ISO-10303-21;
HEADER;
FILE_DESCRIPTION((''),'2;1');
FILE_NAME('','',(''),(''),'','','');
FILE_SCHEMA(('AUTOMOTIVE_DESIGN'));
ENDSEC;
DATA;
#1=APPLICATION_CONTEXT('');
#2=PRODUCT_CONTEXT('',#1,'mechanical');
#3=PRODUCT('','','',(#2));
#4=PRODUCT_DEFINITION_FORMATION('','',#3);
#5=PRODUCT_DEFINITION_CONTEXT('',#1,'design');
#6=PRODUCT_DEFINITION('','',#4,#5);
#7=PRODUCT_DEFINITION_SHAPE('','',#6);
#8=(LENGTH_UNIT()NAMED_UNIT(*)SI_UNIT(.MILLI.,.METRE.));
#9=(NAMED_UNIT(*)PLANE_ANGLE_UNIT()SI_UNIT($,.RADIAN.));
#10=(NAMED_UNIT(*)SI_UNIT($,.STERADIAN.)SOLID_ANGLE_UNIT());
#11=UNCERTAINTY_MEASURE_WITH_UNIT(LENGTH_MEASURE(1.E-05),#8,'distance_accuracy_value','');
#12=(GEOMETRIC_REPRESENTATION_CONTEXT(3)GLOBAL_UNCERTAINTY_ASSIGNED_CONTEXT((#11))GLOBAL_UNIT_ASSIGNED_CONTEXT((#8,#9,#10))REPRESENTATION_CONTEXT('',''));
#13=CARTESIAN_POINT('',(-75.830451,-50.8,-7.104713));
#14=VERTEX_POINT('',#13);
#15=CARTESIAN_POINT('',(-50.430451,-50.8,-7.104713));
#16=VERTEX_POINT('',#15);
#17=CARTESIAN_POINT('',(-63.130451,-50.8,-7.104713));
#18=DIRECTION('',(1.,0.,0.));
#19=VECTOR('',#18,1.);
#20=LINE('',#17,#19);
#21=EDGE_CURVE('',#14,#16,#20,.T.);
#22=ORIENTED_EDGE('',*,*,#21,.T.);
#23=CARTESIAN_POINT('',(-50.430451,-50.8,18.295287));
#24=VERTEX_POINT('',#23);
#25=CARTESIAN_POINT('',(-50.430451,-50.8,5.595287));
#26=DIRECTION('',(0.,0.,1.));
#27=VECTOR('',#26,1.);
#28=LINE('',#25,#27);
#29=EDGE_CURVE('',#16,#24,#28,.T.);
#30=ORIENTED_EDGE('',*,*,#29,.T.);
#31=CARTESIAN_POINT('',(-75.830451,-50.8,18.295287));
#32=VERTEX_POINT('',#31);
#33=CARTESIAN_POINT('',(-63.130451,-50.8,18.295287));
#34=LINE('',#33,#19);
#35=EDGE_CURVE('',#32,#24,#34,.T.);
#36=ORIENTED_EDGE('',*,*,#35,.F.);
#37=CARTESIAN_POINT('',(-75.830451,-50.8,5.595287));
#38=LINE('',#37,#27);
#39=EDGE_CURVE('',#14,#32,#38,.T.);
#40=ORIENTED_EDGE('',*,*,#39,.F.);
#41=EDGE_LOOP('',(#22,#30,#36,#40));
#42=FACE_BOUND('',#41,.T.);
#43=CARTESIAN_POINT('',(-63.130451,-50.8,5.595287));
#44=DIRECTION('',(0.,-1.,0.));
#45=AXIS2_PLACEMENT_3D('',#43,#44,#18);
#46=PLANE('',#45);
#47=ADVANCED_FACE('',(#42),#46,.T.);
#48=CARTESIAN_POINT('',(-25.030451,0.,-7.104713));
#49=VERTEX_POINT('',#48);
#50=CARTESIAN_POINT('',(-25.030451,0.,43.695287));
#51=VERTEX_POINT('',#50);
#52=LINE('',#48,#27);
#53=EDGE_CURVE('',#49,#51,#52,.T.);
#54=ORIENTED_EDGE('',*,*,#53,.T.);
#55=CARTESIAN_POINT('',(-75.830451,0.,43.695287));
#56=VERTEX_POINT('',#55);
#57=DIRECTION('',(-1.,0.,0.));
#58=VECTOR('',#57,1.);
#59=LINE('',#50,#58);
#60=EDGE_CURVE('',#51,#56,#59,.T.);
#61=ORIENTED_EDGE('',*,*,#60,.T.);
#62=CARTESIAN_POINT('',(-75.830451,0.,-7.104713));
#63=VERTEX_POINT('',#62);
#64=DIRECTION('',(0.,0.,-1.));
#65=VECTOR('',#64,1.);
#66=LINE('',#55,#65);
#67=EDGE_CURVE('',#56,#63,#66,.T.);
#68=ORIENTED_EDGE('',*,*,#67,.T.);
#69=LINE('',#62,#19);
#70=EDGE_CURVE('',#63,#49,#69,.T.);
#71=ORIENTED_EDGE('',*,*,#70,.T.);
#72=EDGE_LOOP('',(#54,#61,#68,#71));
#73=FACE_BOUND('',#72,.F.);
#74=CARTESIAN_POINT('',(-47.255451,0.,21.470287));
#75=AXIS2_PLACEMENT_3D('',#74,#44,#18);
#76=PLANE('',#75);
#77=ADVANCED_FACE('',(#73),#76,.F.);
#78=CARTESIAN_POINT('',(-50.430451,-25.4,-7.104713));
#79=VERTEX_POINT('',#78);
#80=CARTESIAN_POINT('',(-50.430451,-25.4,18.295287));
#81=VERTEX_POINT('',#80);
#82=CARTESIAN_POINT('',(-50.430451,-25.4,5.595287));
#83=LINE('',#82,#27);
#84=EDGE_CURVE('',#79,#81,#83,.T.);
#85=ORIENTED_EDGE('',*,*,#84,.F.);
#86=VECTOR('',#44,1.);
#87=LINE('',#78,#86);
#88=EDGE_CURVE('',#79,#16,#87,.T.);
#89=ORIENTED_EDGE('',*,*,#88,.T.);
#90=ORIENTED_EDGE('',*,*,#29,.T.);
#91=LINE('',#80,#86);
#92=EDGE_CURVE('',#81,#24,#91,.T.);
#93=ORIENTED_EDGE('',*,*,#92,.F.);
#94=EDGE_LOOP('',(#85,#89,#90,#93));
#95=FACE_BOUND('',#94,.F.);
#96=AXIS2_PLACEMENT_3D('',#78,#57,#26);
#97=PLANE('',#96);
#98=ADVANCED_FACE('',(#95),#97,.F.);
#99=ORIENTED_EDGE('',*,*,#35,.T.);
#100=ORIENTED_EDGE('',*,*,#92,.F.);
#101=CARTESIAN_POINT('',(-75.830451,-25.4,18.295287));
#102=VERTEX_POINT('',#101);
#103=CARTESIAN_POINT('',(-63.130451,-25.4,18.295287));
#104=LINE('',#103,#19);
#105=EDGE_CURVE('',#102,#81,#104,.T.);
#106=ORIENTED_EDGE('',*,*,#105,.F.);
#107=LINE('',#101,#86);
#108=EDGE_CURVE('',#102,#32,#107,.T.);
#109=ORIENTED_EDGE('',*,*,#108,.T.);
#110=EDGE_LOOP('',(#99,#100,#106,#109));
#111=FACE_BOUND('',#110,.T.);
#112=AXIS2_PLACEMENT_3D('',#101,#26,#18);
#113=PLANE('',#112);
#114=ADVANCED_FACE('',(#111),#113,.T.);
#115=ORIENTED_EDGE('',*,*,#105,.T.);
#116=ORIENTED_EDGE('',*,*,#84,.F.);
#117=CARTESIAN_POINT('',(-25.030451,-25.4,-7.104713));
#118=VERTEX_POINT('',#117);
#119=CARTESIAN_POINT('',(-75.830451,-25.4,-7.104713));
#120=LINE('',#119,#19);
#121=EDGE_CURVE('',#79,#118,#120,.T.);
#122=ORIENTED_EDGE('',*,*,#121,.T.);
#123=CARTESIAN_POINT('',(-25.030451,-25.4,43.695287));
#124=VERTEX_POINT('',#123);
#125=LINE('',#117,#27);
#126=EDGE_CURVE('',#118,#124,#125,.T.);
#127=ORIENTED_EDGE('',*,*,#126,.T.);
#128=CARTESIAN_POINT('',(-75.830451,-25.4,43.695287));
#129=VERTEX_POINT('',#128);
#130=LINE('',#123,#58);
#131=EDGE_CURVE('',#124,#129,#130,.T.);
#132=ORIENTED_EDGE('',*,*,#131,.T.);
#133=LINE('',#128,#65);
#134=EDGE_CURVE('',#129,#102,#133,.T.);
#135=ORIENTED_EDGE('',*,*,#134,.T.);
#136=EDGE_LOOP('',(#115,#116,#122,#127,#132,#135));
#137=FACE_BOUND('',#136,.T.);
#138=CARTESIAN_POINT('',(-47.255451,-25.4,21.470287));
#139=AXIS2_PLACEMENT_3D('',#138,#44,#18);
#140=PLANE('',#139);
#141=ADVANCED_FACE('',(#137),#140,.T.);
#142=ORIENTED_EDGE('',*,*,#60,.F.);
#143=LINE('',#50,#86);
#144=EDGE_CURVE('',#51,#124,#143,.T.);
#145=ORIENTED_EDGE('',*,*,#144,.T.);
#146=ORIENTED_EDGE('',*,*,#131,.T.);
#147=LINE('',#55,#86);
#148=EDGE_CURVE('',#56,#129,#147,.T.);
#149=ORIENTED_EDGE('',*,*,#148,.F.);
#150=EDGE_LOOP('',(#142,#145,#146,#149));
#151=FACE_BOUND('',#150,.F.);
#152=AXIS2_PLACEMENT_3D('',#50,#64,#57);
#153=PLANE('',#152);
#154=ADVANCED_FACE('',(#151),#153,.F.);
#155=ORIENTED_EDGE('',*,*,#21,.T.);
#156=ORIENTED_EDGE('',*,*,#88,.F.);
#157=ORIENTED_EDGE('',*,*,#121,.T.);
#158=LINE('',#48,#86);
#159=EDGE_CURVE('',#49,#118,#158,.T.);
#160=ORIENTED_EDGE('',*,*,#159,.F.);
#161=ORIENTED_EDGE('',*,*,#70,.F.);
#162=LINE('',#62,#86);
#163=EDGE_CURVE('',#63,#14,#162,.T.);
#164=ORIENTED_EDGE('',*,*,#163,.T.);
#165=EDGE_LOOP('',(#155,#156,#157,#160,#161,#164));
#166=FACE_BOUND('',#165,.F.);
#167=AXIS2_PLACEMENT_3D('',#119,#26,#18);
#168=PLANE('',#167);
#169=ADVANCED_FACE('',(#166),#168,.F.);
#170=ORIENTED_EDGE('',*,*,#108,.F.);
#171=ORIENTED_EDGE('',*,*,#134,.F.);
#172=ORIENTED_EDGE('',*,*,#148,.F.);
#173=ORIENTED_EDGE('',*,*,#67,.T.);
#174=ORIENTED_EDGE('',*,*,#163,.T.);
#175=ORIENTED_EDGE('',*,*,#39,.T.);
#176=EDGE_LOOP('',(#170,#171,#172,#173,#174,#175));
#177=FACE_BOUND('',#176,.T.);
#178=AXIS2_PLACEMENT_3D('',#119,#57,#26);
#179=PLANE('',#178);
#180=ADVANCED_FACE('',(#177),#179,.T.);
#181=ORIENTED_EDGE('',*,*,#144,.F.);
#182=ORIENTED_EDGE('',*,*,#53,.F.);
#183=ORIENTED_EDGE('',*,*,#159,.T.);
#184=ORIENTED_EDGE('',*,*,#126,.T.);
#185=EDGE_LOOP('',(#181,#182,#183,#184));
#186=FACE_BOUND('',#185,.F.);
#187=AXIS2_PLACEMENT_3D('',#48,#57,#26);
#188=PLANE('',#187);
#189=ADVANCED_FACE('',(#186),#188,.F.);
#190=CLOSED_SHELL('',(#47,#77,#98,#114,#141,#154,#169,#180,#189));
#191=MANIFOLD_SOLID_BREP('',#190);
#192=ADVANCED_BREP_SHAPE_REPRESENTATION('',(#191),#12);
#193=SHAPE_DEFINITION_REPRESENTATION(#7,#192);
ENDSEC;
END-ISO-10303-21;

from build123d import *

# Parameters (mm, degrees)
F0_W     = 25.4
F0_H     = 25.4
F1_DEPTH = 25.4
F2_W     = 25.4
F2_H     = 25.4
F3_DEPTH = 25.4


with BuildPart() as f1:
    # F0 (on Front) → F1 (new body)
    with BuildSketch(Plane.XZ):
        Polygon((-25.030451, 43.695287), (-75.830451, 43.695287), (-75.830451, 18.295287), (-50.430451, 18.295287), (-50.430451, -7.104713), (-25.030451, -7.104713), align=None)
        with Locations((-63.130451, 5.595287)):
            Rectangle(F0_W, F0_H)
    extrude(amount=F1_DEPTH)

    # F2 (on face) → F3 (join)
    with BuildSketch(Plane.XZ.offset(25.4)):
        with Locations((-63.130451, 5.595287)):
            Rectangle(F2_W, F2_H)
    extrude(amount=F3_DEPTH)


solid = f1.part
